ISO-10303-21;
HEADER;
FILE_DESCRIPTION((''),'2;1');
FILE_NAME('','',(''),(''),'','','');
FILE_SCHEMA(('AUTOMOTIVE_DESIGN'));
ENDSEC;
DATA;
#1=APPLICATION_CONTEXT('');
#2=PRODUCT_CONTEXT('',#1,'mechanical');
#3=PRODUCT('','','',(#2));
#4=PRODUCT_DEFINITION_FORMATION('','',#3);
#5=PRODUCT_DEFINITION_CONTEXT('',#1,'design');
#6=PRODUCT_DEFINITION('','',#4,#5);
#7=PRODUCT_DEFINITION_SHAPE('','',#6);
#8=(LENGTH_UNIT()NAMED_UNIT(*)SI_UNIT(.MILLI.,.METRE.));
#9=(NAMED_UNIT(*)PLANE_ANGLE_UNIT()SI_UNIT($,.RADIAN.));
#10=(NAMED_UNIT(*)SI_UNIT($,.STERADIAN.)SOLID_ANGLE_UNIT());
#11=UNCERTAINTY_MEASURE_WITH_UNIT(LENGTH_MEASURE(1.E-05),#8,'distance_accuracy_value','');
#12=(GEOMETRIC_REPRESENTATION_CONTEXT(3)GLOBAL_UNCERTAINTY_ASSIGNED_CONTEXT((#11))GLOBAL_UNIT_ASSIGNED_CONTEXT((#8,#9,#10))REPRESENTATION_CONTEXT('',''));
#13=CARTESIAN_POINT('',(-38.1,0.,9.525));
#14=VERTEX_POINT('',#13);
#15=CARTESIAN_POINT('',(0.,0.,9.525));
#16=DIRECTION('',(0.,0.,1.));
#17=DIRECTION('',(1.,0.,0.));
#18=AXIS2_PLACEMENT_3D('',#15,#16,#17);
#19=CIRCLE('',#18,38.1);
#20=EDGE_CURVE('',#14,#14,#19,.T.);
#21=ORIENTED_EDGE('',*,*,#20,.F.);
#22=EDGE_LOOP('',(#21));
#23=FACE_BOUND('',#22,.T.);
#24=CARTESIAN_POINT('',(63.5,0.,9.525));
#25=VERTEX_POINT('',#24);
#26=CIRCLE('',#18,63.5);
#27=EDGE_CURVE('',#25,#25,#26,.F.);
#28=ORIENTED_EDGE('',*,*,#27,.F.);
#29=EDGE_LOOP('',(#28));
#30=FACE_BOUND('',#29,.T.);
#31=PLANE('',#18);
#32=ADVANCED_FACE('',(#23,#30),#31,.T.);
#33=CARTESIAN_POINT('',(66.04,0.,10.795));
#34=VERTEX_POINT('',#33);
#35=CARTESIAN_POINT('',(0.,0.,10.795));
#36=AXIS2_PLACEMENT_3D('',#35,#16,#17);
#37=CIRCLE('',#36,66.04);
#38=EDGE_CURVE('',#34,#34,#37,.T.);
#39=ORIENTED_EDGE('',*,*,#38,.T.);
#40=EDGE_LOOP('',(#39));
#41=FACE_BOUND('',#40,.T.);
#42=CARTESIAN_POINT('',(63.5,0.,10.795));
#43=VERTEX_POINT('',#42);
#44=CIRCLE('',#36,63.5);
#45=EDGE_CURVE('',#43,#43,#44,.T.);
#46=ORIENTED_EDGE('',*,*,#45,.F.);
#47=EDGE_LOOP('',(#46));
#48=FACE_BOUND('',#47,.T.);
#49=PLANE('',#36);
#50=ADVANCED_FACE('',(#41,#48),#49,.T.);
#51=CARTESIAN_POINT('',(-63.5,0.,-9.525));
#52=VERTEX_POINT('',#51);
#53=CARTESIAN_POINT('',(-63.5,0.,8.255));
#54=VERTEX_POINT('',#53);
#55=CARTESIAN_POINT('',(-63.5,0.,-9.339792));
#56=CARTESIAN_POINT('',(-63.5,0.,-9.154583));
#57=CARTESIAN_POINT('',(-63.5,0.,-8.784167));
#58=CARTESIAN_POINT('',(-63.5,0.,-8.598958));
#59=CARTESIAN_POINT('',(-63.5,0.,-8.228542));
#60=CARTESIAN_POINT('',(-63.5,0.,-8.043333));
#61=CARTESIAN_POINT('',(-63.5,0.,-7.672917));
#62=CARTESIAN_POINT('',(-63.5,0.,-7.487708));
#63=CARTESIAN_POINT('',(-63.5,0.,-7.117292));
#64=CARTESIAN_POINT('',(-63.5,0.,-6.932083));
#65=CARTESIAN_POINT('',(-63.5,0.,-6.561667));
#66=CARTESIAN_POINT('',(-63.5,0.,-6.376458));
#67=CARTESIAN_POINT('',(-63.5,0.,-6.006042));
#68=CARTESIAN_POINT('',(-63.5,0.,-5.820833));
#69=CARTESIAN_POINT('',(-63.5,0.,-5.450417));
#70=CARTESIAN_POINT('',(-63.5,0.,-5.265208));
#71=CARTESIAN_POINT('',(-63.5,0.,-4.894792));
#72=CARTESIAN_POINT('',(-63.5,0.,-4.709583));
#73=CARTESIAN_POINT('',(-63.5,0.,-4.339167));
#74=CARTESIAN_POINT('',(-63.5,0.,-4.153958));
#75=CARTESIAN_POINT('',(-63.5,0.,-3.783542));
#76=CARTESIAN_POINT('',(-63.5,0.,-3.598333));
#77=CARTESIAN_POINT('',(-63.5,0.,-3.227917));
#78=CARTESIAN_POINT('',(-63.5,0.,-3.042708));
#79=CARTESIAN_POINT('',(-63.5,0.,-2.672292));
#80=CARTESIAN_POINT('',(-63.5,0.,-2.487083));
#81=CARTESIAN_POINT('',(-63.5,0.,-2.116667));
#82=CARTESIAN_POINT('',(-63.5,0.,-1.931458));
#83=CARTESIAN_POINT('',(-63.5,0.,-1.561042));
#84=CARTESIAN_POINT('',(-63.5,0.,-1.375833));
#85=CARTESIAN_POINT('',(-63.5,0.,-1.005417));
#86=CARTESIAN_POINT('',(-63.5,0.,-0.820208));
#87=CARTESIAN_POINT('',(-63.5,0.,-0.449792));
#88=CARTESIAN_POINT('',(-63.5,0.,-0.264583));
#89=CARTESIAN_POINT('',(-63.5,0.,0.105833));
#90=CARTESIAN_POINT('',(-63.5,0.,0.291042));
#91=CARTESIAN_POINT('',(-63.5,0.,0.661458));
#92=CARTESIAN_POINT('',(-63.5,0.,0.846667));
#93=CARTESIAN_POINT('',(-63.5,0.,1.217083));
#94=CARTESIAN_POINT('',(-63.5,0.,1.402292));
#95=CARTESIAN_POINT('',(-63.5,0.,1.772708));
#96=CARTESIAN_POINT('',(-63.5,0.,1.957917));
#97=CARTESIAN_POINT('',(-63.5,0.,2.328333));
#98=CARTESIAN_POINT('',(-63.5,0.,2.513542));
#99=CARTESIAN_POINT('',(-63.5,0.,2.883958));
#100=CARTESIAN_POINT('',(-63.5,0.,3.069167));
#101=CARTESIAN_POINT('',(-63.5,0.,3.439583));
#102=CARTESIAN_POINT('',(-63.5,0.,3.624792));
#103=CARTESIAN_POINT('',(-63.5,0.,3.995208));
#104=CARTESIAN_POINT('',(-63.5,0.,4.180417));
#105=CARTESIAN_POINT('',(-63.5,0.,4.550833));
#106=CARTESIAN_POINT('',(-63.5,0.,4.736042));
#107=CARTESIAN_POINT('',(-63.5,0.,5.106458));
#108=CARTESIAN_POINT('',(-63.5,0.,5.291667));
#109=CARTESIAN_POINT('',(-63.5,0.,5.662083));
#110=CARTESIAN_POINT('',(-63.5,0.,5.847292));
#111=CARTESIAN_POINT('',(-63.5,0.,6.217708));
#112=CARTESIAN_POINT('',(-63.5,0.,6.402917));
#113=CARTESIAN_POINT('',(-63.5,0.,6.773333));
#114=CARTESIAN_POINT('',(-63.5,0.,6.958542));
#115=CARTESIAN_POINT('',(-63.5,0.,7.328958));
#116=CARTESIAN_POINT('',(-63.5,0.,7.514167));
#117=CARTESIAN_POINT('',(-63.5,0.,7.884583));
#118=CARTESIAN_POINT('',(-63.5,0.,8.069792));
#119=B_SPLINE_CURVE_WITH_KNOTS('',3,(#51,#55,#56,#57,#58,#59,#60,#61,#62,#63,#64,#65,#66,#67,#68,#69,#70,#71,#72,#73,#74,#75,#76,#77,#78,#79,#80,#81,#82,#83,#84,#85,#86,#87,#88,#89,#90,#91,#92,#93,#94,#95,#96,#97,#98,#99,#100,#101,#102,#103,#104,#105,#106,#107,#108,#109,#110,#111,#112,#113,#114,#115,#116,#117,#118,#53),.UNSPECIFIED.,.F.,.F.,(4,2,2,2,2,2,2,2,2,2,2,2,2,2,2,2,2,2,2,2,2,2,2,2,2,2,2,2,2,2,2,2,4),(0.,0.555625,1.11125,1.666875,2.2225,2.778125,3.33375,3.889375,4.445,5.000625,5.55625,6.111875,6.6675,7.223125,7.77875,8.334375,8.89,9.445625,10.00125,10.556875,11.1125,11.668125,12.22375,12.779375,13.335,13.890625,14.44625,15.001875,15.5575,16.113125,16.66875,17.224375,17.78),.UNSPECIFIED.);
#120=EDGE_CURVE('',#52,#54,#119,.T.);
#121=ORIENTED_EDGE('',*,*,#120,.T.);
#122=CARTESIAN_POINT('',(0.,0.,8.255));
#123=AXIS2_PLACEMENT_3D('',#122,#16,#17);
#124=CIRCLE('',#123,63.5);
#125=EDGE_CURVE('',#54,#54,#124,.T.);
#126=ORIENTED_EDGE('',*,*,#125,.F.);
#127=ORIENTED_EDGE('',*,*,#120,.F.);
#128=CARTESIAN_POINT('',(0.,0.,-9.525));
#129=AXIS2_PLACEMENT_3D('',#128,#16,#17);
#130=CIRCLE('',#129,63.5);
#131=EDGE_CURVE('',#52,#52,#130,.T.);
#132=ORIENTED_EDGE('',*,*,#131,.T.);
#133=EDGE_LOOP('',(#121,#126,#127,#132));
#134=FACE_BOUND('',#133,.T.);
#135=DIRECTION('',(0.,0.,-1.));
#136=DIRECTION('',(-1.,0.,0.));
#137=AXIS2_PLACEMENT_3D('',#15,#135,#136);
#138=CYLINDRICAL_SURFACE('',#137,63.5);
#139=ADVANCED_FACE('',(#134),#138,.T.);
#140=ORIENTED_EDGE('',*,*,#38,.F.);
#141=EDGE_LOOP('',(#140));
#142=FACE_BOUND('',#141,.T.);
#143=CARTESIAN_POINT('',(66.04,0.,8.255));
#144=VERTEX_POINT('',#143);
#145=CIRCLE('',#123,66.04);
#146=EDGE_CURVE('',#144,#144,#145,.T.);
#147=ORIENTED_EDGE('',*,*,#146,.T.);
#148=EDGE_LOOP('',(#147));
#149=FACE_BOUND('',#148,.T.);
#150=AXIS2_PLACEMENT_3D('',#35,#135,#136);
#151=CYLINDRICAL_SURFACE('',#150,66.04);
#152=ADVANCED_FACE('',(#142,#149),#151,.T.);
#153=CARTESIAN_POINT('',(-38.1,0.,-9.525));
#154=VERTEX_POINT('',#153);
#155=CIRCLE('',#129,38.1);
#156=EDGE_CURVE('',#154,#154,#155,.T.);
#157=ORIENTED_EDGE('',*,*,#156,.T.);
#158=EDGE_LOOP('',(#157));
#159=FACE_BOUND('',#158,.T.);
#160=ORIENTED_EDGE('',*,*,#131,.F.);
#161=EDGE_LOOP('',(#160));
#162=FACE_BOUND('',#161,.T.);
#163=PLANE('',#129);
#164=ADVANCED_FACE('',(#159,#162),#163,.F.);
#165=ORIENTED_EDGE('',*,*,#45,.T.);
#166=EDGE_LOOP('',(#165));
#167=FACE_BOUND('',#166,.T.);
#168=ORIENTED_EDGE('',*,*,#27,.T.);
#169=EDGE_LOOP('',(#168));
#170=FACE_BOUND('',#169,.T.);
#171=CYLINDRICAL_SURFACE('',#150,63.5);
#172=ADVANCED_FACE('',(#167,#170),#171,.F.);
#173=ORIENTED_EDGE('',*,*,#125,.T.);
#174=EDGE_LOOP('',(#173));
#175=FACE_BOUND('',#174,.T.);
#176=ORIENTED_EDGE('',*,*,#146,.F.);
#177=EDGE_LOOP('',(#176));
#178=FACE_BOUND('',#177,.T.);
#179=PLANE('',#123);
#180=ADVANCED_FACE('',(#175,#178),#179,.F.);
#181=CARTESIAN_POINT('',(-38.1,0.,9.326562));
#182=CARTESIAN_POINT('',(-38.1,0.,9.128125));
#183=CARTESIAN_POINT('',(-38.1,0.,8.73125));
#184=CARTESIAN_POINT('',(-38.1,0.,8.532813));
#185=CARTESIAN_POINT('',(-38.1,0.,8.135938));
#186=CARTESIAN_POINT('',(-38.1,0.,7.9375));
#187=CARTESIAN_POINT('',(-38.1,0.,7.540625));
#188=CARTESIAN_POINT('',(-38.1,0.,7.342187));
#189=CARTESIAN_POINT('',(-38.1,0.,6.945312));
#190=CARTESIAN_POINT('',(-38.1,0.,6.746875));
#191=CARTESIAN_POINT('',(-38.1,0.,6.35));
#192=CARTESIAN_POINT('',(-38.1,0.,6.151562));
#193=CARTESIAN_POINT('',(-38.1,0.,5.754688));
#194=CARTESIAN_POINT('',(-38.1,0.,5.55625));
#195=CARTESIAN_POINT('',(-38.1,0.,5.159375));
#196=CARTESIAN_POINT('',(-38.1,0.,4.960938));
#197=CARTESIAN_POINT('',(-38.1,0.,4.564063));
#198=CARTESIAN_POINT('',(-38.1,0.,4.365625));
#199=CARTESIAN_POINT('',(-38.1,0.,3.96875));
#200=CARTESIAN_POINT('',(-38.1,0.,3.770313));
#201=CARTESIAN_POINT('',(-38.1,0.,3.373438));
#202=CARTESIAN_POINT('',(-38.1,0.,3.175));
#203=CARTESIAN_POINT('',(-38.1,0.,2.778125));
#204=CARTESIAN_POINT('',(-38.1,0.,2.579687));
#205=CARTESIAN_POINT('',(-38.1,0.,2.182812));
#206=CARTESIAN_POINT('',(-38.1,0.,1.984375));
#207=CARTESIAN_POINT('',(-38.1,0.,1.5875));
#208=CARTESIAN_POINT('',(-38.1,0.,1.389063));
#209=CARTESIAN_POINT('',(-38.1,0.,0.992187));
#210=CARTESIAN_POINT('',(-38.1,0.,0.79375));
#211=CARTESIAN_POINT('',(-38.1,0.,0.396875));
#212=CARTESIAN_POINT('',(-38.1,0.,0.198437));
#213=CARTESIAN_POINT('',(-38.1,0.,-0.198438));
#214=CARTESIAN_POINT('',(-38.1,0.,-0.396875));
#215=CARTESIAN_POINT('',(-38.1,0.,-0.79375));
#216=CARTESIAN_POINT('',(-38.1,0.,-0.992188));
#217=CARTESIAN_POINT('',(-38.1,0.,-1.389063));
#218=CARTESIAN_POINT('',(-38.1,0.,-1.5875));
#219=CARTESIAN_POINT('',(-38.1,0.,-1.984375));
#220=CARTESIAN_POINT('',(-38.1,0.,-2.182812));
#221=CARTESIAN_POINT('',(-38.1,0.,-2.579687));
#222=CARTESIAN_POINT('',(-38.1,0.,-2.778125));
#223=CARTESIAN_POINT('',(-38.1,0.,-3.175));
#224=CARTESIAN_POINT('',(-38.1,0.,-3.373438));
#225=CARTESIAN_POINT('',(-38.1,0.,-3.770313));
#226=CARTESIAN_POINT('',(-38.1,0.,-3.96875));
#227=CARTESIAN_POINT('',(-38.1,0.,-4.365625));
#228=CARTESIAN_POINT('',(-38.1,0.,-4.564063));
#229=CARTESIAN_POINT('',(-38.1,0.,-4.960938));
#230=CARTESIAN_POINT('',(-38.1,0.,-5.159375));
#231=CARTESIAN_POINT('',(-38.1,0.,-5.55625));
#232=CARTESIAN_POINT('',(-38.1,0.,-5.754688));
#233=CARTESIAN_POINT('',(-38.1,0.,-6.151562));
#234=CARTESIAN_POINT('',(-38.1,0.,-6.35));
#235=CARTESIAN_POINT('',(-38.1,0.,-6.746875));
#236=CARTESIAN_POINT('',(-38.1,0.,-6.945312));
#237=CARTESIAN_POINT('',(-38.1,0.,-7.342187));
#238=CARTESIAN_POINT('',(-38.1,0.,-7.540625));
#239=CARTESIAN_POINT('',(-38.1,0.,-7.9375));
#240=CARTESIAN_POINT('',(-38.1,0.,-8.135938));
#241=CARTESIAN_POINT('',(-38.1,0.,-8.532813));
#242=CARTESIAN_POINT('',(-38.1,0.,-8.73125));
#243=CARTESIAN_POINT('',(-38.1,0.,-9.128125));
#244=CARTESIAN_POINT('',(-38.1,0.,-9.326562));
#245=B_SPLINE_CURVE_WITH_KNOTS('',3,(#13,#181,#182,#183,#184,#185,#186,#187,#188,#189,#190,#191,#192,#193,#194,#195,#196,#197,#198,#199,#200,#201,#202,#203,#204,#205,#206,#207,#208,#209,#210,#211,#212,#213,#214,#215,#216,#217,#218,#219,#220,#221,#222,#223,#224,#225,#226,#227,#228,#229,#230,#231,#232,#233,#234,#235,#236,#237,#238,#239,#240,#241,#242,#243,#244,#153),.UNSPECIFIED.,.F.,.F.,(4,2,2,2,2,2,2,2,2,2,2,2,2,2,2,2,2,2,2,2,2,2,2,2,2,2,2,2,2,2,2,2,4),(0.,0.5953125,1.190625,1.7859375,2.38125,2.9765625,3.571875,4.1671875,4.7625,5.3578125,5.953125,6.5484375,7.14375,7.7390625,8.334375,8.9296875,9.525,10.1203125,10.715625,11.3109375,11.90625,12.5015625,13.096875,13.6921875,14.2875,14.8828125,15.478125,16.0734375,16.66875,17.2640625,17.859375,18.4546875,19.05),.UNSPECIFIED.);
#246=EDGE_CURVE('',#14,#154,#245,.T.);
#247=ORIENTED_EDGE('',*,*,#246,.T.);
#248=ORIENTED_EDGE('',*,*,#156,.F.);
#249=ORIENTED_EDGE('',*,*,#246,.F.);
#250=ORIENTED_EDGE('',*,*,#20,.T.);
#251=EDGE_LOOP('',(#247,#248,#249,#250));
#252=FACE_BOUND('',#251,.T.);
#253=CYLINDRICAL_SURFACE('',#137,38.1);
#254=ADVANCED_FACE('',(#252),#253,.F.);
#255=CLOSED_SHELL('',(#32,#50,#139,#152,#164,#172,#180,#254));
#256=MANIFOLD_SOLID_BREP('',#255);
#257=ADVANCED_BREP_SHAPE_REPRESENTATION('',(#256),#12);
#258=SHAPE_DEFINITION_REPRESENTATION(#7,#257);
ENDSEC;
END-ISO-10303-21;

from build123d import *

# Parameters (mm, degrees)
SKETCH1_R           = 63.5
SKETCH1_R_2         = 38.1
BOSS_EXTRUDE1_DEPTH = 9.525
SKETCH2_R           = 66.04
SKETCH2_R_2         = 63.5
BOSS_EXTRUDE2_DEPTH = 1.27


with BuildPart() as part:
    # Sketch1 → Boss-Extrude1 (new, symmetric)
    with BuildSketch(Plane.XY):
        with Locations(Location((0, 0, 0), (0, 0, 180))):
            Circle(SKETCH1_R)
        with Locations(Location((0, 0, 0), (0, 0, 180))):
            Circle(SKETCH1_R_2, mode=Mode.SUBTRACT)
    extrude(amount=BOSS_EXTRUDE1_DEPTH, both=True)

    # Sketch2 → Boss-Extrude2 (add, symmetric)
    with BuildSketch(Plane.XY.offset(9.525)):
        Circle(SKETCH2_R)
        with Locations(Location((0, 0, 0), (0, 0, 180))):
            Circle(SKETCH2_R_2, mode=Mode.SUBTRACT)
    extrude(amount=BOSS_EXTRUDE2_DEPTH, both=True)


solid = part.part
